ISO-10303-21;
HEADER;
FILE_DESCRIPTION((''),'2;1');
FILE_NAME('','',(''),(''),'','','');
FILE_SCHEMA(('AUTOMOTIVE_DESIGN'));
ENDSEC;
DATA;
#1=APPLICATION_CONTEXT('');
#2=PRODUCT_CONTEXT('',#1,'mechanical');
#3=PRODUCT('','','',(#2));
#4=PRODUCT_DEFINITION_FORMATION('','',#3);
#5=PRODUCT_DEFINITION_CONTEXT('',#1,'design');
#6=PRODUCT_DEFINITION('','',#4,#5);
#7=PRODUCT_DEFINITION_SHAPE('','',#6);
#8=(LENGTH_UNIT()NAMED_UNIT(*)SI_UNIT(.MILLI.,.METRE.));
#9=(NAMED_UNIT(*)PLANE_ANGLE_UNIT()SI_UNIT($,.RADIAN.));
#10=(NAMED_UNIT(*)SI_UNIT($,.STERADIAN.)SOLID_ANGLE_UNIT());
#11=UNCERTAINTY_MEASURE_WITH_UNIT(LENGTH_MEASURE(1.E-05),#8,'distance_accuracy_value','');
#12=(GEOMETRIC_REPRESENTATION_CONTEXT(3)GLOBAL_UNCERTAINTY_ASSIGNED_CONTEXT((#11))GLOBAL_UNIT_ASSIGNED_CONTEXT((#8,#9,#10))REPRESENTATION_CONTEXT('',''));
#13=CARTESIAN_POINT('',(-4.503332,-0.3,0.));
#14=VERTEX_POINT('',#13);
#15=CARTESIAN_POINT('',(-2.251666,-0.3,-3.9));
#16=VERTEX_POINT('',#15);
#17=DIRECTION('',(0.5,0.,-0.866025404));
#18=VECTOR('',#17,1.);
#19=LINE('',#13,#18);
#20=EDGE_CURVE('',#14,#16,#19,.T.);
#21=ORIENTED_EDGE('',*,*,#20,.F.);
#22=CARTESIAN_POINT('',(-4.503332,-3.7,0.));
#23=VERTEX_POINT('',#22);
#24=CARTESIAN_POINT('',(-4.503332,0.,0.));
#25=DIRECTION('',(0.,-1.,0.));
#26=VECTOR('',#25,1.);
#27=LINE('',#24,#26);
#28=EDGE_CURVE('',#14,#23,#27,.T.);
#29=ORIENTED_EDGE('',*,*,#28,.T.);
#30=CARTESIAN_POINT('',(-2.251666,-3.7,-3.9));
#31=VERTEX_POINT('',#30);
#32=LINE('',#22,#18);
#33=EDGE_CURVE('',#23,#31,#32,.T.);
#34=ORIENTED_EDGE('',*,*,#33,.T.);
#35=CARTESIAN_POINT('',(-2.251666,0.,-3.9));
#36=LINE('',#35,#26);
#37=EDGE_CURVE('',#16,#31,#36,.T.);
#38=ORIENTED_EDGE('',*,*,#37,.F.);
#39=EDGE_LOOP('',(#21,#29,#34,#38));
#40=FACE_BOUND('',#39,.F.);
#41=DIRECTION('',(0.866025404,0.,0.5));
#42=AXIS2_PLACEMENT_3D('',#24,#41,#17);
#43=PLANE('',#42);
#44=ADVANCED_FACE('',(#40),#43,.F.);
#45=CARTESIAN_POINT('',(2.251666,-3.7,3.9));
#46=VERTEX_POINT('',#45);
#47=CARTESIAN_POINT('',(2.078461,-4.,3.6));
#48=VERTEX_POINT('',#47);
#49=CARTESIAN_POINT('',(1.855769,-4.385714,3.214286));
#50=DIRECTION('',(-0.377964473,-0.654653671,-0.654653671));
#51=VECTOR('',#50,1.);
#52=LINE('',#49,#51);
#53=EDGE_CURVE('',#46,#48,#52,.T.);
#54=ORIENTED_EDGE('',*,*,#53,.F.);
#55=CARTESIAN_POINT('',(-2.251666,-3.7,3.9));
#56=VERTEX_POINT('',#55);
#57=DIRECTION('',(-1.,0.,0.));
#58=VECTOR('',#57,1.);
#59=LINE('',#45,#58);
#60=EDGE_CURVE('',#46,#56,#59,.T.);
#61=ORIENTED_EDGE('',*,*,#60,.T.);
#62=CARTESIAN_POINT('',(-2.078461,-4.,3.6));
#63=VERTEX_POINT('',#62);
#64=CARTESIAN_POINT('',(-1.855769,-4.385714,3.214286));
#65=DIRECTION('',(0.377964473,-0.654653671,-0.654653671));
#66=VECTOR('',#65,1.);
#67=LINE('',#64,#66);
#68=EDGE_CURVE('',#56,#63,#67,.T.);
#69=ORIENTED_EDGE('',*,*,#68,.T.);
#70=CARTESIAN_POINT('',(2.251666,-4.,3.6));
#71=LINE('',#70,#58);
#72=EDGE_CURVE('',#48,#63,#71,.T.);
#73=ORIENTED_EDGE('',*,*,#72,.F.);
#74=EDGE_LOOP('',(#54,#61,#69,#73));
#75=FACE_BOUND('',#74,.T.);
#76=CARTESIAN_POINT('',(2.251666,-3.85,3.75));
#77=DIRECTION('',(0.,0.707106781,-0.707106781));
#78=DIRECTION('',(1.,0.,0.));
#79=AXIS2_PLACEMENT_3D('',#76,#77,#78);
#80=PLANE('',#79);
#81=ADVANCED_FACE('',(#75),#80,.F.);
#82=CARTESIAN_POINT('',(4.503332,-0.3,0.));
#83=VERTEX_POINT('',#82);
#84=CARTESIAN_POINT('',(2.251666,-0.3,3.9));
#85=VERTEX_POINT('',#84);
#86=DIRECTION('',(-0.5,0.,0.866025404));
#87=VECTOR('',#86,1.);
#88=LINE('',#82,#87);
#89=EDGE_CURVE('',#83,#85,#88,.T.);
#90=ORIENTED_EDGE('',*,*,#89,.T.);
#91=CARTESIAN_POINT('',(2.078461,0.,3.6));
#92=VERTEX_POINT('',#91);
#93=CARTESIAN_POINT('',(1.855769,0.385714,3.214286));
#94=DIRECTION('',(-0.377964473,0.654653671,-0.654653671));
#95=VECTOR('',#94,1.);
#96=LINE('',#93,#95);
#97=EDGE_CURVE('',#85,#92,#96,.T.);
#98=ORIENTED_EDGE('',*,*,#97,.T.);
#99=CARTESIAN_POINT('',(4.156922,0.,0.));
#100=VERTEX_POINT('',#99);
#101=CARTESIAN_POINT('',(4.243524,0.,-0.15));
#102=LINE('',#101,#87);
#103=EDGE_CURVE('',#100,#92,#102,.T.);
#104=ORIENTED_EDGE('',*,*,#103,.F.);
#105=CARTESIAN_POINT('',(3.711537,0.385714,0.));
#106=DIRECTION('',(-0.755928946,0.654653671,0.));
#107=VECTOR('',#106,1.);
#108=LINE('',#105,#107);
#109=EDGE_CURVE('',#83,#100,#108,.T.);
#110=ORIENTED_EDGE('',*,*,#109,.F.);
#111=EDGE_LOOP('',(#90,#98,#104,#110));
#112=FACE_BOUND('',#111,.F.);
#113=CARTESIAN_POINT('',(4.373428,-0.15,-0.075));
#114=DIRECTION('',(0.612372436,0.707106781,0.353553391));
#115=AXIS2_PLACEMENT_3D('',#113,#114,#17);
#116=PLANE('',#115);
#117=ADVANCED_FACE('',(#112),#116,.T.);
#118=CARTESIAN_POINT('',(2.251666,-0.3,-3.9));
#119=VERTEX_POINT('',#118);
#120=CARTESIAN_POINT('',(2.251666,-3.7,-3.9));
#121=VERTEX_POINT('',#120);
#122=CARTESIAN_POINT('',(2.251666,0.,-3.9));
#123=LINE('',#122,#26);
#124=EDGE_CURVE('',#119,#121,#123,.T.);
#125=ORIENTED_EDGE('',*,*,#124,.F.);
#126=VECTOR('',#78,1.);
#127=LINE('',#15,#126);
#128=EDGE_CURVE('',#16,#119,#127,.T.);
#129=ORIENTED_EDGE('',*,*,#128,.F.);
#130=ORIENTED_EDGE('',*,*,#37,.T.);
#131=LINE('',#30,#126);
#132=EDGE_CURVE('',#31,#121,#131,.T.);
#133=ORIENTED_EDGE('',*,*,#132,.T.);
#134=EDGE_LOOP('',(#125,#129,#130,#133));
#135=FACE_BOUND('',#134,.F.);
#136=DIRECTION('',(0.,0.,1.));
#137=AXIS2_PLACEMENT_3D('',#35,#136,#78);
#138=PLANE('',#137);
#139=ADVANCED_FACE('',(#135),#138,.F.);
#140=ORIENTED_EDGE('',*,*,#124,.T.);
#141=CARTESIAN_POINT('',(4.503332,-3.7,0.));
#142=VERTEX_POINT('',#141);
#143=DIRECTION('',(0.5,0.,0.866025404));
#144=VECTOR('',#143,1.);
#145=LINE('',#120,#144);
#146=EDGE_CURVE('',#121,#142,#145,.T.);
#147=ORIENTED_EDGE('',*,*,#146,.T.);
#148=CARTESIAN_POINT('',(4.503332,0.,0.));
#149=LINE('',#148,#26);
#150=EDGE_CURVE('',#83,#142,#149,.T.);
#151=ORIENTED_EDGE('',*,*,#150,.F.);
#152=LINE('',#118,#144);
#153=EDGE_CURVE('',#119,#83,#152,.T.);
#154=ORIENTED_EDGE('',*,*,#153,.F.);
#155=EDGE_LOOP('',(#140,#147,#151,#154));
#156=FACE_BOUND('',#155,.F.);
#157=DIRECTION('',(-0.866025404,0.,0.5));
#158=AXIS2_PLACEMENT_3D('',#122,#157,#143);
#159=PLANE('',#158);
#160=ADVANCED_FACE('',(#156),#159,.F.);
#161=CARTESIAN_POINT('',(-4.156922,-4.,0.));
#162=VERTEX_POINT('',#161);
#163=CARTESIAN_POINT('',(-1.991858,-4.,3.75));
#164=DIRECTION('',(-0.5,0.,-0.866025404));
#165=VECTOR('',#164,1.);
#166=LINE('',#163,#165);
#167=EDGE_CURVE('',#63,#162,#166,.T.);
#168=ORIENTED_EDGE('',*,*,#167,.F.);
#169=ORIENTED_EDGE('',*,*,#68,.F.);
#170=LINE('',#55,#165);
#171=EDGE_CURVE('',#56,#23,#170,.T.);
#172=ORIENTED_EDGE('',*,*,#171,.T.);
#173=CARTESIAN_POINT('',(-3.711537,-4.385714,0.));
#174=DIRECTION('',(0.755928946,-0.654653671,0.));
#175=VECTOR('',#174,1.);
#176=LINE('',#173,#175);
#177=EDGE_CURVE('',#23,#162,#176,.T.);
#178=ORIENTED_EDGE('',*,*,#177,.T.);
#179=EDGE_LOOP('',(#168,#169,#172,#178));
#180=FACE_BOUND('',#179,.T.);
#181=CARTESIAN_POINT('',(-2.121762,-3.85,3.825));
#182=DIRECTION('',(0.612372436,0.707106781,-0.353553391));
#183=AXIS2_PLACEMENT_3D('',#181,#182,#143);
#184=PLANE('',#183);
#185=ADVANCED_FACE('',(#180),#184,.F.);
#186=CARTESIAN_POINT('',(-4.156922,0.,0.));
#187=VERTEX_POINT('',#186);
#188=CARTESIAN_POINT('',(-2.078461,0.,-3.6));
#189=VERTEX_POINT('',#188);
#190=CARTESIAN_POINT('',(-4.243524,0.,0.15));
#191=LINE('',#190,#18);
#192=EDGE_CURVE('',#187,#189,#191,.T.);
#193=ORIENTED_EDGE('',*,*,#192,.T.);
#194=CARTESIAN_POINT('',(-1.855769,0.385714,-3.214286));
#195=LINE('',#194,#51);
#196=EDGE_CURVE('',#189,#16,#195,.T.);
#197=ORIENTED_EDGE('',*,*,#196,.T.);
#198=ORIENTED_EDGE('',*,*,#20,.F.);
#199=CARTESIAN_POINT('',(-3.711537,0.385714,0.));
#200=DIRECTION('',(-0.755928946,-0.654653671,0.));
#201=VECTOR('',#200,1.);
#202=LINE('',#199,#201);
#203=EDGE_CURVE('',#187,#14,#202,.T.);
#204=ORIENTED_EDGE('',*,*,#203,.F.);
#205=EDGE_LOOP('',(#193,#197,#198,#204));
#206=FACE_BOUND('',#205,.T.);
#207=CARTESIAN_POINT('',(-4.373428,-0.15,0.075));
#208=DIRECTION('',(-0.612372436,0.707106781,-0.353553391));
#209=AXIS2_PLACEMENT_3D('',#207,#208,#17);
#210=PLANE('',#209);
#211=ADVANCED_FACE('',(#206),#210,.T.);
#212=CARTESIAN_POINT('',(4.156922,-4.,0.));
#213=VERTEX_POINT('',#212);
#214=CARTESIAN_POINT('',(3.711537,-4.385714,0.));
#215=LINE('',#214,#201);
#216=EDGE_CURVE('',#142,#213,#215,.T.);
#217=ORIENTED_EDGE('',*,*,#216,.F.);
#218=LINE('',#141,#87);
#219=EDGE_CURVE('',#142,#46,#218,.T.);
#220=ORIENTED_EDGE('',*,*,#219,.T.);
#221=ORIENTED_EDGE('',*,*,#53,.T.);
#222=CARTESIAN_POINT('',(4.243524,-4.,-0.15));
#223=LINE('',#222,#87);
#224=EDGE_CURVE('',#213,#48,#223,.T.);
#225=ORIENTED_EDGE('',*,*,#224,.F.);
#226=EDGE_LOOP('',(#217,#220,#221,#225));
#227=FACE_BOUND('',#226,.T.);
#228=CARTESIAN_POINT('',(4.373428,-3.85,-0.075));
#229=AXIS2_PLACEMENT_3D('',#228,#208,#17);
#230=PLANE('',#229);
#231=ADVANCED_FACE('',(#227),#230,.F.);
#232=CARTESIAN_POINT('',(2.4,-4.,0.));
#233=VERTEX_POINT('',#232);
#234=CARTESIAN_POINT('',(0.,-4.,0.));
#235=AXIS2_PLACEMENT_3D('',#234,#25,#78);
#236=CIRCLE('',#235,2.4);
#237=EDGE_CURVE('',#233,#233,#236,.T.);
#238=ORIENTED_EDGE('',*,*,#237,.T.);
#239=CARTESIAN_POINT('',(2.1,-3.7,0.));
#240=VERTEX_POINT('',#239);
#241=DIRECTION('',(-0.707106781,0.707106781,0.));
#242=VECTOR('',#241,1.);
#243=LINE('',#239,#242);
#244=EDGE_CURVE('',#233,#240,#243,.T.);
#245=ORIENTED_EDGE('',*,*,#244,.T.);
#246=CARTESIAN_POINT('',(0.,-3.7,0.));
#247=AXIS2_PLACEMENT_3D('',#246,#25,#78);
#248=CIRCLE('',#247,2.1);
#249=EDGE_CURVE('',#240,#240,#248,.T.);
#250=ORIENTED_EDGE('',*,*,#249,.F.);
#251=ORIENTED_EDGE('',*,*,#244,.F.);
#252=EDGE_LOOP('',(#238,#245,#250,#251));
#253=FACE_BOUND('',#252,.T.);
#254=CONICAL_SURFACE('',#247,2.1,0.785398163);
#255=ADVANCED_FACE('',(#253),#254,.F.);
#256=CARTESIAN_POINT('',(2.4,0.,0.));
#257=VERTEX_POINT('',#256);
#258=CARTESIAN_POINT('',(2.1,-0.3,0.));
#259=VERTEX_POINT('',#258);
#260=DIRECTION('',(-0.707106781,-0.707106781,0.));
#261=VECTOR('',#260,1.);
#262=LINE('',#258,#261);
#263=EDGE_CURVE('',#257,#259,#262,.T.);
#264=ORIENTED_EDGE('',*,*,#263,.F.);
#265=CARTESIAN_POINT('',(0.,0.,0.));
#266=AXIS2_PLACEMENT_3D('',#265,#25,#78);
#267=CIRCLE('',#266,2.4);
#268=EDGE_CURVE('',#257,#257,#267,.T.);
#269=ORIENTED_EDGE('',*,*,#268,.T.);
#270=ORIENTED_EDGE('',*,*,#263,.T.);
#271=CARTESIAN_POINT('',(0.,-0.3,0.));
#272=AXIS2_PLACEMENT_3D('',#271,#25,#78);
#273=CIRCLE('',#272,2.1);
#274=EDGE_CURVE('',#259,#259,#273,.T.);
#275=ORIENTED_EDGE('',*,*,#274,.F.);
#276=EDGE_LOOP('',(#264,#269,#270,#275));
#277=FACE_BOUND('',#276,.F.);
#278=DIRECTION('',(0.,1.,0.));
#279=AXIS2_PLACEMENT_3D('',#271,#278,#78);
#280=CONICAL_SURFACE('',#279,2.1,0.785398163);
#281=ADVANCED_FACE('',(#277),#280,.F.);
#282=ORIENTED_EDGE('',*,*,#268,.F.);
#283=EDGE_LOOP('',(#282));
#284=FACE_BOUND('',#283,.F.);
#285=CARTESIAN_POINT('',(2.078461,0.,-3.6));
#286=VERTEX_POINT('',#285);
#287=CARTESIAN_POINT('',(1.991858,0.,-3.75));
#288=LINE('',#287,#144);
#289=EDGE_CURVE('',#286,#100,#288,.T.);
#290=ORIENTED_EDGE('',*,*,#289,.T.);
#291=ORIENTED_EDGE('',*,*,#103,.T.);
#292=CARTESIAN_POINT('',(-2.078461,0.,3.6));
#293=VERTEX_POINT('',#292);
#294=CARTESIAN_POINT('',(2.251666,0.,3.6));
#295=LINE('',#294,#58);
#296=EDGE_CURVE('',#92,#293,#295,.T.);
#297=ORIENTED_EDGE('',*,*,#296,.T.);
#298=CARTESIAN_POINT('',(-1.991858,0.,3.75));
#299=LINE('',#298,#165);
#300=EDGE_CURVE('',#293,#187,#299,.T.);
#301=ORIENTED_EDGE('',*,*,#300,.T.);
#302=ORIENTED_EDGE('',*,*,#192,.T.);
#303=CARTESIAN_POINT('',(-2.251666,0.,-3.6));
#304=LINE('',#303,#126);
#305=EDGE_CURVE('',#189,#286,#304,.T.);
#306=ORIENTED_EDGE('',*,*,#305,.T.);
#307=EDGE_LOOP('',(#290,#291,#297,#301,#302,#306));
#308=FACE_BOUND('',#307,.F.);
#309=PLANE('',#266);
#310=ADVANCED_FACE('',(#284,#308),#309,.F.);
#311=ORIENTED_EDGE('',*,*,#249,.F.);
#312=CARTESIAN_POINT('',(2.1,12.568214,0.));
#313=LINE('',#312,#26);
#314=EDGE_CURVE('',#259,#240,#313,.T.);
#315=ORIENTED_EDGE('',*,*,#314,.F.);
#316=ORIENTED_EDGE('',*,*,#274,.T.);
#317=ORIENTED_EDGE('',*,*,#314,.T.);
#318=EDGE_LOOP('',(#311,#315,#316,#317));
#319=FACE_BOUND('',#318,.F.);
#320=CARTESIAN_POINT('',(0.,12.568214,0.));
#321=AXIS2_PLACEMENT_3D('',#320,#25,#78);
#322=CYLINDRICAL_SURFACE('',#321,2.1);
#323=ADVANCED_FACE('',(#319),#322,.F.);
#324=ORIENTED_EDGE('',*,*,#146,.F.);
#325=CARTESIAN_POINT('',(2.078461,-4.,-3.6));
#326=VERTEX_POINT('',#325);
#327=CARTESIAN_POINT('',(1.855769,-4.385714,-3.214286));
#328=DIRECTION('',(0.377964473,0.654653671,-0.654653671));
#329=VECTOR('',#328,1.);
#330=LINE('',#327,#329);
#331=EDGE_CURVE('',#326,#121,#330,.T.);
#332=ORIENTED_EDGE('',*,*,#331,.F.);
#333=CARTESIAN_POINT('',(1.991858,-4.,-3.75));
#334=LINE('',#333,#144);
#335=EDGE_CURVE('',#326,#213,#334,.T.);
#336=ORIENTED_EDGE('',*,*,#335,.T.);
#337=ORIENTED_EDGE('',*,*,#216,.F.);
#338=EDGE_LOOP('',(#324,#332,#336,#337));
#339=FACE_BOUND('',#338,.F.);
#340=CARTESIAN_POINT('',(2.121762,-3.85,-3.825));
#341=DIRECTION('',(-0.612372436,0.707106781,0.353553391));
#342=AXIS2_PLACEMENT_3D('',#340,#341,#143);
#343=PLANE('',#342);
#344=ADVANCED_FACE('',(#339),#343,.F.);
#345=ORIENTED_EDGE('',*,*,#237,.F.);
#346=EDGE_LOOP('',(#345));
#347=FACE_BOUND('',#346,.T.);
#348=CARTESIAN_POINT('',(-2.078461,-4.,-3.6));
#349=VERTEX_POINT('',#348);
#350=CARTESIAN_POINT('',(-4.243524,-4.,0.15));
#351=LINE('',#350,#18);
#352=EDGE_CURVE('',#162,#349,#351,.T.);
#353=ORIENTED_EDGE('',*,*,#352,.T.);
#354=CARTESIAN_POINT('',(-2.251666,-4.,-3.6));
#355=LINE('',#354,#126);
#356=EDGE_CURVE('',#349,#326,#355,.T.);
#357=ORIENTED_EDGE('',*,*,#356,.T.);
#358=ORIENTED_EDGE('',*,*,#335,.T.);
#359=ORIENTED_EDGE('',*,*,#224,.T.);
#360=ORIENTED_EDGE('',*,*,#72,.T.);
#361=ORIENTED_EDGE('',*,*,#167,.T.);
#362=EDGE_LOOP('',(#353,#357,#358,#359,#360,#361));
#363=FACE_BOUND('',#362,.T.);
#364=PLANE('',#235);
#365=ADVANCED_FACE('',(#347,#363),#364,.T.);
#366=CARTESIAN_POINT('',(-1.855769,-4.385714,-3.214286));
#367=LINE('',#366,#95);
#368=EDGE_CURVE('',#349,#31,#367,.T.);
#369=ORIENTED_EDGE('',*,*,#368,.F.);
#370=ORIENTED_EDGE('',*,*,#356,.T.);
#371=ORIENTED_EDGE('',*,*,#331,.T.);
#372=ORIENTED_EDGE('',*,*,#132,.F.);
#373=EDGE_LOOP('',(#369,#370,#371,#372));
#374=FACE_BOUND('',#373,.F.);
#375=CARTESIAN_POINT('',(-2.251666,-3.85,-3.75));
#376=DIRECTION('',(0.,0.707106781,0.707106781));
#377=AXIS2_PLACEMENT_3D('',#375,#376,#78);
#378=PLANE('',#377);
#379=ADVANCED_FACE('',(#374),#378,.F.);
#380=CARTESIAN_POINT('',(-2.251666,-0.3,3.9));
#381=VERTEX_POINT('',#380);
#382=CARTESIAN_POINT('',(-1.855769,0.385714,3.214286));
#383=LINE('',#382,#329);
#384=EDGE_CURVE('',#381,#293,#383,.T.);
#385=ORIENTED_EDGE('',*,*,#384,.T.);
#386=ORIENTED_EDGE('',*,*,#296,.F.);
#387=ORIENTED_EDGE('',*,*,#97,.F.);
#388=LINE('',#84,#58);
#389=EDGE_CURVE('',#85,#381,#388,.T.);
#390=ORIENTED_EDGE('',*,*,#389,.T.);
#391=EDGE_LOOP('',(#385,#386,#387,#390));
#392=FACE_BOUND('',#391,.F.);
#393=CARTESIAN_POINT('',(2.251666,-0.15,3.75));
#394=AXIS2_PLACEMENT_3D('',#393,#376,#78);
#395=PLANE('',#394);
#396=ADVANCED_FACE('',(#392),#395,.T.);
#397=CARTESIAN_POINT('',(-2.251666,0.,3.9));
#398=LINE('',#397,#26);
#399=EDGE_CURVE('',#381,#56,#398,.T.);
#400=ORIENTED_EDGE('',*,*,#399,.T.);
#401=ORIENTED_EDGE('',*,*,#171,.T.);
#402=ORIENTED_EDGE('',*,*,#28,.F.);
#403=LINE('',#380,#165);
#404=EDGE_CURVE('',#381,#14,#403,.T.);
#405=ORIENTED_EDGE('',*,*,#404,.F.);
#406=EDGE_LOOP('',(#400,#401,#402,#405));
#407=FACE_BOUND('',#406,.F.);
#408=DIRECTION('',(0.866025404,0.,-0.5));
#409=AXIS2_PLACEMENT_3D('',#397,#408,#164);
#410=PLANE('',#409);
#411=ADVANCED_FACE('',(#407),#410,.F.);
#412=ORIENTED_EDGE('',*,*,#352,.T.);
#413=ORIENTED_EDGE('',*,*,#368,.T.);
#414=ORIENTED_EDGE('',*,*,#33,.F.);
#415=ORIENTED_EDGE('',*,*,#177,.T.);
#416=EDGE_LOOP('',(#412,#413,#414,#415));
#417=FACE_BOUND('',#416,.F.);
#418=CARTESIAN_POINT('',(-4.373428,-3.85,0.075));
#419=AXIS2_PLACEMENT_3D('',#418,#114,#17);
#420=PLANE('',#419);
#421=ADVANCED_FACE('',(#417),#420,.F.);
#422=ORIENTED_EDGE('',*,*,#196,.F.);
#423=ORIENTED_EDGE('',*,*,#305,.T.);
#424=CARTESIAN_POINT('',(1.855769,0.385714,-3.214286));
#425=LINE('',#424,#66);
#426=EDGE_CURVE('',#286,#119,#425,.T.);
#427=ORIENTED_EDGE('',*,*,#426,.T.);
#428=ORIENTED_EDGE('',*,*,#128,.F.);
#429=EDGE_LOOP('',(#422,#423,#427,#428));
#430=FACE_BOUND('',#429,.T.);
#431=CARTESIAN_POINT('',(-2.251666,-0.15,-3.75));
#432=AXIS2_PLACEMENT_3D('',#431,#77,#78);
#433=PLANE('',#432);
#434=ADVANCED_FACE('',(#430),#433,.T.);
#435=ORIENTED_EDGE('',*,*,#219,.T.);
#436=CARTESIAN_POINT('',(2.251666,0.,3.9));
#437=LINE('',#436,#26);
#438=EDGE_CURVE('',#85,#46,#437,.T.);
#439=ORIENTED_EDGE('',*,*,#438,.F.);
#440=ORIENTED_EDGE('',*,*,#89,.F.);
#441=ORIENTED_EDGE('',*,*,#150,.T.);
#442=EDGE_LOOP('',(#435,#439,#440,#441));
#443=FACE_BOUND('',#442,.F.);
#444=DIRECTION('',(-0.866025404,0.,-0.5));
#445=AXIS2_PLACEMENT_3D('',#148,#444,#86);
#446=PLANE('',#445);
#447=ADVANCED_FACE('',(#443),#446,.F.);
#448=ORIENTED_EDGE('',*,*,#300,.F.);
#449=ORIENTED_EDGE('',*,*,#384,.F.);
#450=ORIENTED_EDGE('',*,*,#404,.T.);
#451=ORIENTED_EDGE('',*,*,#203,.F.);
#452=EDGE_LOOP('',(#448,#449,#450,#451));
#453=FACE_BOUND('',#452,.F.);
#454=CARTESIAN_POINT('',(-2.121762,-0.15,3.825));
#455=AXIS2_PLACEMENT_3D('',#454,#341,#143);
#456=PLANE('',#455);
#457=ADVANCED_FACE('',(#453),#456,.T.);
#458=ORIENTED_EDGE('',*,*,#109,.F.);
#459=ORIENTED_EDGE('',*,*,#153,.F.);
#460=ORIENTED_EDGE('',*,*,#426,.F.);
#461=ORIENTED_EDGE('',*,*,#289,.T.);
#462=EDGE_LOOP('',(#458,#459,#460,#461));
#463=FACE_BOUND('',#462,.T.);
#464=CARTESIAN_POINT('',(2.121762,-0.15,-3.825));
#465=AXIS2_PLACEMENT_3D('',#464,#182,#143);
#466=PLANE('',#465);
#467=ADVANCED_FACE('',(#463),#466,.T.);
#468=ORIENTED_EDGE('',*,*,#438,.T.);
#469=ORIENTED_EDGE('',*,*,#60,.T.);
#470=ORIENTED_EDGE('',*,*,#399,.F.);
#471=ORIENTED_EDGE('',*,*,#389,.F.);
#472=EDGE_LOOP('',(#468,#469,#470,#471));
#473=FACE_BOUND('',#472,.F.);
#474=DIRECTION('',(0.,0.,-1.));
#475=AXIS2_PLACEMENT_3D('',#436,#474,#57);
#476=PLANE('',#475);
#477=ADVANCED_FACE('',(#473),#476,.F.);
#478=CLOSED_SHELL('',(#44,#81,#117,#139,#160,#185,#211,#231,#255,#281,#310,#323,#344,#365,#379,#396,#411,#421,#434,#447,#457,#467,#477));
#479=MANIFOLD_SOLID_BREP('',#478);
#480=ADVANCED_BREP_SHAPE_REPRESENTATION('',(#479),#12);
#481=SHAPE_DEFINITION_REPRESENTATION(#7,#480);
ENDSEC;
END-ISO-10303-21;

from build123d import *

# Parameters (mm, degrees)
F1_DEPTH = 4
F3_D     = 4.2
F4_SIZE  = 0.3


with BuildPart() as f1:
    # F0 (on Front) → F1 (new body)
    with BuildSketch(Plane.XZ):
        Polygon((2.2516660498, 3.9), (-2.2516660498, 3.9), (-4.5033320997, 0), (-2.2516660498, -3.9), (2.2516660498, -3.9), (4.5033320997, 0), align=None)
    extrude(amount=F1_DEPTH)

    # F3 (through all)
    with Locations(Plane(origin=(0, 0, 0), x_dir=(-1, 0, 0), z_dir=(0, 1, 0))):
        with Locations((0, 0)):
            Hole(F3_D / 2)

    # F4
    f4_edges = [f1.edges().sort_by_distance(p)[0] for p in [
        (0, 0, -3.9),
        (-3.377499, 0, -1.95),
        (0, 0, 3.9),
        (-3.377499, 0, 1.95),
        (3.377499, 0, 1.95),
        (3.377499, 0, -1.95),
        (2.1, 0, 0),
        (3.377499, -4, 1.95),
        (3.377499, -4, -1.95),
        (0, -4, 3.9),
        (0, -4, -3.9),
        (-3.377499, -4, 1.95),
        (-3.377499, -4, -1.95),
        (2.1, -4, 0),
    ]]
    chamfer(f4_edges, length=F4_SIZE)


solid = f1.part
